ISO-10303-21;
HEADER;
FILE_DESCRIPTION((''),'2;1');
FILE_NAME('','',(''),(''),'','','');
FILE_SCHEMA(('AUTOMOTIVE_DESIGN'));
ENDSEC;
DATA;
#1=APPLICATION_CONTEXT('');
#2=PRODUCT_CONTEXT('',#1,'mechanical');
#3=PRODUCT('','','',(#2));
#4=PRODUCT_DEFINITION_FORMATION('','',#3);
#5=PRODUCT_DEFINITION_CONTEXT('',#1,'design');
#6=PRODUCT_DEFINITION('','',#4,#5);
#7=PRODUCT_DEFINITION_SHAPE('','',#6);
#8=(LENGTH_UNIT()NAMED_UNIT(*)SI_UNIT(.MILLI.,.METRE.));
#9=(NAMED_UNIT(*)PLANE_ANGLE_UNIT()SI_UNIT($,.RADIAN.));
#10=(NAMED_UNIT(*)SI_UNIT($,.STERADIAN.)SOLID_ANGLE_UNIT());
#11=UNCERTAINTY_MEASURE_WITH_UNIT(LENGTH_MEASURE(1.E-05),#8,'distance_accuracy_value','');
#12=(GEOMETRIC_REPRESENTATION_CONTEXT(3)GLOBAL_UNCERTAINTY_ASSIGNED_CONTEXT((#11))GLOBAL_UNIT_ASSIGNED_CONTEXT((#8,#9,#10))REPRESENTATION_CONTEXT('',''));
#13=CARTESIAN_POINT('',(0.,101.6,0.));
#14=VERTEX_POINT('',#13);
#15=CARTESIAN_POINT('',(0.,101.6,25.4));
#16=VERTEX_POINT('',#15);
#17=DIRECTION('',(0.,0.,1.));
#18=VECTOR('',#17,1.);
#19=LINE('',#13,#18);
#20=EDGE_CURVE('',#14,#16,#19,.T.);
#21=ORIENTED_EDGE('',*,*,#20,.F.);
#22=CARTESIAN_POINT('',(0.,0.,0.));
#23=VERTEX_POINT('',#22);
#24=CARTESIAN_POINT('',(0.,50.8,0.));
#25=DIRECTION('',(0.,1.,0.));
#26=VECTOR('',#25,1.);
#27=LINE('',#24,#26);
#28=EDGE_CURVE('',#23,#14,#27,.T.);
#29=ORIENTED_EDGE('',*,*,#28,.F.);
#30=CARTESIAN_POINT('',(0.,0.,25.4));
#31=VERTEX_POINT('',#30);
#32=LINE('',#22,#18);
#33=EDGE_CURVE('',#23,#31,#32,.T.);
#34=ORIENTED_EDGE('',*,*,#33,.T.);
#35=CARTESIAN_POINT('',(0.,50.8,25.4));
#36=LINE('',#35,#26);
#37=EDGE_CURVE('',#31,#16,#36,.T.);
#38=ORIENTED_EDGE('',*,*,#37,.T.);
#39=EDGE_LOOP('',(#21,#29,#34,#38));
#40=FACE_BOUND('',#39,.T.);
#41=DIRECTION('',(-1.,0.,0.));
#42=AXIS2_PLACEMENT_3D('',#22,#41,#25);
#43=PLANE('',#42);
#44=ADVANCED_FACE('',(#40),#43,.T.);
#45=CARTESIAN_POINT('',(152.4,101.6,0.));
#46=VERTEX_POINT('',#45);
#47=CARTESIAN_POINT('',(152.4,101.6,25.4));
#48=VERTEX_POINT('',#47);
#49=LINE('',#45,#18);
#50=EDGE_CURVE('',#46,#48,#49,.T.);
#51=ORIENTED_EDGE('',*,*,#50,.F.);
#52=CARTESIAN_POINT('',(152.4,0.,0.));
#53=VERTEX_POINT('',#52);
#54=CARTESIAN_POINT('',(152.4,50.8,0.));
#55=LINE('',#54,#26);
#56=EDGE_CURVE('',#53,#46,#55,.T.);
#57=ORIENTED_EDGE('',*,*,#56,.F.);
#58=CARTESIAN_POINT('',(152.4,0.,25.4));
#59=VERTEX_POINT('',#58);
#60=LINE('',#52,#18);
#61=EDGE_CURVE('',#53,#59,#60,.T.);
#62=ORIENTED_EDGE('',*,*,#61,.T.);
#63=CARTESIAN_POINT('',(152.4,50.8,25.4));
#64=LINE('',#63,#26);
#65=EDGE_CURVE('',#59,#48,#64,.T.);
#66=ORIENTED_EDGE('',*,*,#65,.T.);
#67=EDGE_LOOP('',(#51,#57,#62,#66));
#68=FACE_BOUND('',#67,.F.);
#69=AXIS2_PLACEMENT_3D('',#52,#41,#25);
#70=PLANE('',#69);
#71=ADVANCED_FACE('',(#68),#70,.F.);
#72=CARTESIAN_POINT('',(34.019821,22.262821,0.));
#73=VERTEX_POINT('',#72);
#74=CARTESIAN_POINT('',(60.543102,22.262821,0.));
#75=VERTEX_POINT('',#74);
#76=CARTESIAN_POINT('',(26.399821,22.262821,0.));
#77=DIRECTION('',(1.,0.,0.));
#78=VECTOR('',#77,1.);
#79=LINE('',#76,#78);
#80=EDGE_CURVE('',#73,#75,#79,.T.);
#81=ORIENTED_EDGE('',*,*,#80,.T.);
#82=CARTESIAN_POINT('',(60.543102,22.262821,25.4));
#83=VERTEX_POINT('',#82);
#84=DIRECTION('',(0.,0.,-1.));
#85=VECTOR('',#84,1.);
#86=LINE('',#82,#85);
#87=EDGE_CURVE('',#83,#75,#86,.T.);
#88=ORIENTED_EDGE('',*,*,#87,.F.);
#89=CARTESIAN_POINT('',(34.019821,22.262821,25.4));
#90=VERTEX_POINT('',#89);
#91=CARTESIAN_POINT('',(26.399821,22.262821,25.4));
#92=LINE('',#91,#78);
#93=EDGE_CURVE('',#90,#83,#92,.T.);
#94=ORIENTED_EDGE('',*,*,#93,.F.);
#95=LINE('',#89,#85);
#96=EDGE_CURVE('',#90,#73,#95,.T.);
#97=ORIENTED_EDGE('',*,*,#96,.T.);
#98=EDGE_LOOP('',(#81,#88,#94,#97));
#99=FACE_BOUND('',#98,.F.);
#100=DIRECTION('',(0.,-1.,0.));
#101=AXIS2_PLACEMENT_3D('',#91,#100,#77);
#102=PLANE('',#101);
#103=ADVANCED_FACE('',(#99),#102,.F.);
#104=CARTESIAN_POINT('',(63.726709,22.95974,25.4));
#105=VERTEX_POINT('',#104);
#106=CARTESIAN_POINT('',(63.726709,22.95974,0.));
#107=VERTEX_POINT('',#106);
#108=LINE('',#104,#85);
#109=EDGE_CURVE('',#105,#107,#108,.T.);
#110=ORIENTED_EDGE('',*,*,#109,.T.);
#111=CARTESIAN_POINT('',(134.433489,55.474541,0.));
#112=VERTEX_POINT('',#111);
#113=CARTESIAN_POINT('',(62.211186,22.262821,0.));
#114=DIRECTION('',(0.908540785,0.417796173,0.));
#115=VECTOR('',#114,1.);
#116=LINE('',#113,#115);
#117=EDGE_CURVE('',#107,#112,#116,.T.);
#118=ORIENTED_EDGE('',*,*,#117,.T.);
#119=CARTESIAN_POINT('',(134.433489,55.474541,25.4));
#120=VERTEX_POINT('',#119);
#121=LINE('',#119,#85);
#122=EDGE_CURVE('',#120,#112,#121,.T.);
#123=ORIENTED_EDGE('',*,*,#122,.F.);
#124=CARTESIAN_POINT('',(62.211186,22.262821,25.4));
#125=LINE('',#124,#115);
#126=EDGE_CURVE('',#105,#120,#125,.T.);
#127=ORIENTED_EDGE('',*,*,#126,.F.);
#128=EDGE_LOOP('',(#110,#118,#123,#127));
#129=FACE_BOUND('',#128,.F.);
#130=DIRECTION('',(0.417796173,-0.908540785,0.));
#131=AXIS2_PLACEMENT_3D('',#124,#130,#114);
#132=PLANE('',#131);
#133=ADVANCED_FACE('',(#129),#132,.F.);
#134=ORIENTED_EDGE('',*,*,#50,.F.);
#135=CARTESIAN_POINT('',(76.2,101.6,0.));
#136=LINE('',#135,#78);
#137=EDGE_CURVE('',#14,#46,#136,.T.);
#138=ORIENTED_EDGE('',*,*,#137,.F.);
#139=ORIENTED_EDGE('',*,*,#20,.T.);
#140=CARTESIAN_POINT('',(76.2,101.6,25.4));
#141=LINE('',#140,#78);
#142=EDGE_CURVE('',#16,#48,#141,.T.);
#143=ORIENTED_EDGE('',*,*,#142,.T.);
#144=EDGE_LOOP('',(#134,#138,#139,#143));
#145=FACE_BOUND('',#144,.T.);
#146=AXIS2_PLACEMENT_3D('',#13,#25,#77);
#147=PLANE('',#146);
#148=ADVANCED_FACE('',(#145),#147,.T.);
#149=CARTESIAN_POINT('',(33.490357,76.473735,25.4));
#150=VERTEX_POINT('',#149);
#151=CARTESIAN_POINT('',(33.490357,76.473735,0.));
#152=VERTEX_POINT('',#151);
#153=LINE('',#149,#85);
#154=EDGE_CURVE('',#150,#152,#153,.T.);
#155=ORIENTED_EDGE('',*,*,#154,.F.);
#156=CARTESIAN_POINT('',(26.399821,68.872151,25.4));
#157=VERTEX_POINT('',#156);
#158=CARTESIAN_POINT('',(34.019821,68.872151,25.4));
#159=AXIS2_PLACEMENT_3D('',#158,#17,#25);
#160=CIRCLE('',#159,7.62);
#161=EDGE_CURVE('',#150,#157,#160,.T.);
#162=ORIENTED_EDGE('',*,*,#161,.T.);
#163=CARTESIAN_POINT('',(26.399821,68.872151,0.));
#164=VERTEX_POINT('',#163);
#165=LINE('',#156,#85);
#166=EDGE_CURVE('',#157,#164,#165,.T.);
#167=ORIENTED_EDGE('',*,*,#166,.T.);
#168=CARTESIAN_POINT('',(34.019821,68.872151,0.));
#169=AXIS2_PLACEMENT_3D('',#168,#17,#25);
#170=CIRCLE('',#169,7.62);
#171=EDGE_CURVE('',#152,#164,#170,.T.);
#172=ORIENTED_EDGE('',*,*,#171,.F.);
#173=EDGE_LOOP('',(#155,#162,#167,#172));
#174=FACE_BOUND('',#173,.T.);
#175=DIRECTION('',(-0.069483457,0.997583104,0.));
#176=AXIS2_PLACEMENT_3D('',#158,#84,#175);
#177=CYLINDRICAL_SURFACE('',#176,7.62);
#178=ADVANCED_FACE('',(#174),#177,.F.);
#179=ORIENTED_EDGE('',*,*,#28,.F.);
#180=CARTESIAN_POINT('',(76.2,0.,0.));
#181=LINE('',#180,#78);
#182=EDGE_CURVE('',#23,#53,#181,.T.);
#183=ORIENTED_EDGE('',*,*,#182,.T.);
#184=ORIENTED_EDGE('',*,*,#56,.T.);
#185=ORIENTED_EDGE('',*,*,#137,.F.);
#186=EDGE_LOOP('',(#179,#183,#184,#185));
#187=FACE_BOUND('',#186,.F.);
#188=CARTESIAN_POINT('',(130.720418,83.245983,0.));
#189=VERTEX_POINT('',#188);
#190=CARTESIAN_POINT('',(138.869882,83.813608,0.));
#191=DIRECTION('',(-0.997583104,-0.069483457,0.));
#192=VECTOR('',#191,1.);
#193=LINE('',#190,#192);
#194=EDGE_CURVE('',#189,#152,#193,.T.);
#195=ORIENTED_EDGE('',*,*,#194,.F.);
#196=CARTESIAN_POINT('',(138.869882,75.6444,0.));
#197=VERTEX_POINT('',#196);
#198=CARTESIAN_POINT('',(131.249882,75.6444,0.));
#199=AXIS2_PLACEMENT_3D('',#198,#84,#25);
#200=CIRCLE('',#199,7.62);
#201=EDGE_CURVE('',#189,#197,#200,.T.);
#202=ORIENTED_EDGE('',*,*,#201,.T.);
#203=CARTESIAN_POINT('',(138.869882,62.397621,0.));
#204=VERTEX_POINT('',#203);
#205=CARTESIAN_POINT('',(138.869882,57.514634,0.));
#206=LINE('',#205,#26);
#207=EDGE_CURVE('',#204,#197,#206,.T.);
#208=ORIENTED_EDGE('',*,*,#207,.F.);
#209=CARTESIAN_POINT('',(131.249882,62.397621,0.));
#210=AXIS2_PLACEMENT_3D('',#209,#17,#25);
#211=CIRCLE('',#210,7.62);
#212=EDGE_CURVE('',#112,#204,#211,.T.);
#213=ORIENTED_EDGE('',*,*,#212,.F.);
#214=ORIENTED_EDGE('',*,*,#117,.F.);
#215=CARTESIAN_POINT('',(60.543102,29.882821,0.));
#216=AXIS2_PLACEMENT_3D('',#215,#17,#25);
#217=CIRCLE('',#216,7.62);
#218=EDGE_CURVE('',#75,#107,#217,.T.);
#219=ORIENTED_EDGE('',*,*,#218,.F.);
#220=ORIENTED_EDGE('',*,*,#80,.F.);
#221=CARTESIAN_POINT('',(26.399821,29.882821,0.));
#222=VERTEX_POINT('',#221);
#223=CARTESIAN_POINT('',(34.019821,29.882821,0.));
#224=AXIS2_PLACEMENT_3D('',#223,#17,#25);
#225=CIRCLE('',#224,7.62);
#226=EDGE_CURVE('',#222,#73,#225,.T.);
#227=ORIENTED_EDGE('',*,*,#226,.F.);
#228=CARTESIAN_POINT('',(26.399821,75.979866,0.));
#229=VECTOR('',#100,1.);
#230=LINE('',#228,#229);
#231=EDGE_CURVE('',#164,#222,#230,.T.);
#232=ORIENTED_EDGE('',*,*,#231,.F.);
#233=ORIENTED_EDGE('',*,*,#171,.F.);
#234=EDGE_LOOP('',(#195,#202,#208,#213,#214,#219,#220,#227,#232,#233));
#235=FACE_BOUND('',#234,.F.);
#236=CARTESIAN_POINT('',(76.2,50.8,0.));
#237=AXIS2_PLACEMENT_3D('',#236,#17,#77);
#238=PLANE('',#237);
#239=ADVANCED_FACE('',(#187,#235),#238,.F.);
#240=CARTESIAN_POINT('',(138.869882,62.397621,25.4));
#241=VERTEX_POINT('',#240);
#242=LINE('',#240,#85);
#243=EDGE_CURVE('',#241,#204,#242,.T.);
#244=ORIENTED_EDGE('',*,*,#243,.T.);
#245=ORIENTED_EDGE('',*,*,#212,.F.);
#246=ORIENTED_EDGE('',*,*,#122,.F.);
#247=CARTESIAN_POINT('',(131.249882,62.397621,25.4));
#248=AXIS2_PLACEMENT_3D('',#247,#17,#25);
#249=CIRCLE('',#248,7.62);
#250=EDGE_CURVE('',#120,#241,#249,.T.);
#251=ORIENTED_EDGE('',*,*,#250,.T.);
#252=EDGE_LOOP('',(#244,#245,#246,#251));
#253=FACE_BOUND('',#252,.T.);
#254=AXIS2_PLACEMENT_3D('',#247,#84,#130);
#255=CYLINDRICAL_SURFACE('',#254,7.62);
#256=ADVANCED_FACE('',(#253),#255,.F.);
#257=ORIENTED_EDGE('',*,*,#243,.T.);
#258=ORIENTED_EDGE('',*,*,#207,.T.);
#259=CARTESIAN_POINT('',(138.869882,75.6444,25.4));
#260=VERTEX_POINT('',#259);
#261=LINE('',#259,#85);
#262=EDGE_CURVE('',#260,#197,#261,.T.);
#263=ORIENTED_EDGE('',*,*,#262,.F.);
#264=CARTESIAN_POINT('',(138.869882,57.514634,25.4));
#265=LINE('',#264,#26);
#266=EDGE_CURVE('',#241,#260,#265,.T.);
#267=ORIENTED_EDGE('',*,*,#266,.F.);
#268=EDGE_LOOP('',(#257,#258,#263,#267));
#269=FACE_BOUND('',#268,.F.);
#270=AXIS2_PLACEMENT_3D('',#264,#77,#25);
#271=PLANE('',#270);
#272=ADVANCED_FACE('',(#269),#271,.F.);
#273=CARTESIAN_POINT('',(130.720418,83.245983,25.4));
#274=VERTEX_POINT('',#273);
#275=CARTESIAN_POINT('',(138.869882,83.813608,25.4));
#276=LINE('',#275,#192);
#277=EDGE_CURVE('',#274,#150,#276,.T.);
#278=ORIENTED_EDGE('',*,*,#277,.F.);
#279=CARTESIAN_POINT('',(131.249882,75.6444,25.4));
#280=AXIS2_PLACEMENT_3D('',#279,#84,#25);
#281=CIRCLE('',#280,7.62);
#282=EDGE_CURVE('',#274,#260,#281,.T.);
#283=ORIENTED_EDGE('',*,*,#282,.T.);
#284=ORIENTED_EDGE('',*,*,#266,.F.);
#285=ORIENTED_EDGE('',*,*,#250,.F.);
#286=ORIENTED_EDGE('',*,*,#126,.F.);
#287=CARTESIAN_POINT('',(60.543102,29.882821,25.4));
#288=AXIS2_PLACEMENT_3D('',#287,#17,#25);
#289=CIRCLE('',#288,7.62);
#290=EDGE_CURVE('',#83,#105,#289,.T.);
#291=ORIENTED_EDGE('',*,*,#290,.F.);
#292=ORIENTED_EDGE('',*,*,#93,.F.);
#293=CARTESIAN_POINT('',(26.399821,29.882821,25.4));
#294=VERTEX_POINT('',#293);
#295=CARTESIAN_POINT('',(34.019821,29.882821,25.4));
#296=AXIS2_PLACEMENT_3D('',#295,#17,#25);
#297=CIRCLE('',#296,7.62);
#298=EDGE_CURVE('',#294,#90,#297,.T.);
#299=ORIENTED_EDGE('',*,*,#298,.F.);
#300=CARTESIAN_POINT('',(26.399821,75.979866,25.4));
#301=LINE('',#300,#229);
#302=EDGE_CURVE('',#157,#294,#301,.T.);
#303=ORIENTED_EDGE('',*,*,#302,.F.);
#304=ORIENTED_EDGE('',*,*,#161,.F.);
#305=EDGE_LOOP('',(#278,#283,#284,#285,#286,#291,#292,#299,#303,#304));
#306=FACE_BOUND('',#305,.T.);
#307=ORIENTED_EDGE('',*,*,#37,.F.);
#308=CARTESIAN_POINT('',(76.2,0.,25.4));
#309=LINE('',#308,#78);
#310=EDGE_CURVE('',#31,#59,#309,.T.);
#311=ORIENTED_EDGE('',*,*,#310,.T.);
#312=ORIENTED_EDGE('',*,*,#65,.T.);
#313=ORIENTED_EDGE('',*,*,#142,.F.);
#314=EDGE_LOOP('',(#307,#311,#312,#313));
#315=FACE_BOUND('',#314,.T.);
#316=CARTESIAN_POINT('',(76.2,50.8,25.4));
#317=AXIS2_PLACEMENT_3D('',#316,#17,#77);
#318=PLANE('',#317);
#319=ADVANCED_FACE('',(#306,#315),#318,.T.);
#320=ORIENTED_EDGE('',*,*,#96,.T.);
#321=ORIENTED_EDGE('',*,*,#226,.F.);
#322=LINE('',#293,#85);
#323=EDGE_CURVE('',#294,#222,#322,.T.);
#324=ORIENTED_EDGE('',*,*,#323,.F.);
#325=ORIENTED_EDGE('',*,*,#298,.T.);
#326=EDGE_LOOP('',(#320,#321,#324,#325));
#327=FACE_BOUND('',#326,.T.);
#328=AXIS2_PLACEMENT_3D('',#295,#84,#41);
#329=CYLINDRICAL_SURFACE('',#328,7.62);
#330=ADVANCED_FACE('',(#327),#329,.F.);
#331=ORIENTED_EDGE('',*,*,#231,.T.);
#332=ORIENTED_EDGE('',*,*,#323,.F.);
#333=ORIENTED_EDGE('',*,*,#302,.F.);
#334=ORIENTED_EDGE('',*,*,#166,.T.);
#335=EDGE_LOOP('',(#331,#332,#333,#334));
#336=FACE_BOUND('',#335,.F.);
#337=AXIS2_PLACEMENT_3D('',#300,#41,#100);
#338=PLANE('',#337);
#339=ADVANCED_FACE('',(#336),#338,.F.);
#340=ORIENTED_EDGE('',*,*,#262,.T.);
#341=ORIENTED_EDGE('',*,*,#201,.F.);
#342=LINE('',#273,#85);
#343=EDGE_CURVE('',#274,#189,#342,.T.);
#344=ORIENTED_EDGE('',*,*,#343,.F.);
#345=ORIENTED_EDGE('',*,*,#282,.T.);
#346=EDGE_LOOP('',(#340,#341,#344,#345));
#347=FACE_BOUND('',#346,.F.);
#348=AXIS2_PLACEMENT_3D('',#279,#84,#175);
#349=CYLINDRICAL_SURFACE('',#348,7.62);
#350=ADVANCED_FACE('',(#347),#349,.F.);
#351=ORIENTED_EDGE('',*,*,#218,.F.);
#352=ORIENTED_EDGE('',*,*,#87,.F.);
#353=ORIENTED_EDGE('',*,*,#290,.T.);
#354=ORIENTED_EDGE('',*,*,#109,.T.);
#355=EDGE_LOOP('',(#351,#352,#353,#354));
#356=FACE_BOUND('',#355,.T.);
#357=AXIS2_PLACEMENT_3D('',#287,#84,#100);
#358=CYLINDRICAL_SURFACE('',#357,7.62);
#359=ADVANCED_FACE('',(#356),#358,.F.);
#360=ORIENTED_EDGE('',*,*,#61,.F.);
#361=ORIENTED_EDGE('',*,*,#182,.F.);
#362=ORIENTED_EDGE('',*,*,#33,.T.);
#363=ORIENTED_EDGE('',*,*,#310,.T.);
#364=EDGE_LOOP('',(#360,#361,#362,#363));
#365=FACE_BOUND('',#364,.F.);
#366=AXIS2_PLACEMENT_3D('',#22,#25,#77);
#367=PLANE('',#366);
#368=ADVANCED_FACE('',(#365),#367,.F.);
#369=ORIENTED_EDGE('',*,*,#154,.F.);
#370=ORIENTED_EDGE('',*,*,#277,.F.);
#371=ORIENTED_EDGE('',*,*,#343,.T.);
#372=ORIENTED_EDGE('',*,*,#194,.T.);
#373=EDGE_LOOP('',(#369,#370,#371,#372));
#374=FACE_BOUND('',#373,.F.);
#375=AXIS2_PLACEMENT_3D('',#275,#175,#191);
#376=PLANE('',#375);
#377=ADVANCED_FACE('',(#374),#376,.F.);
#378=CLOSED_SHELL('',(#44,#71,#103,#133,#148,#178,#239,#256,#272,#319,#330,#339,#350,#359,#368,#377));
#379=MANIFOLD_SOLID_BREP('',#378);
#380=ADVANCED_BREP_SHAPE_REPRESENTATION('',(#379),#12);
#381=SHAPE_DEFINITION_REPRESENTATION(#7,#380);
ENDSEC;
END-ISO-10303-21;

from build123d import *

# Parameters (mm, degrees)
F0_W     = 152.4
F0_H     = 101.6
F1_DEPTH = 25.4
F3_DEPTH = 25.4
F4_R     = 7.62


with BuildPart() as f1:
    # F0 (on Top) → F1 (new body)
    with BuildSketch(Plane.XY):
        with Locations((76.2, 50.8)):
            Rectangle(F0_W, F0_H)
    extrude(amount=F1_DEPTH)

    # F2 (on face) → F3 (cut)
    with BuildSketch(Plane.XY.offset(25.4)):
        Polygon((138.869882, 83.813608), (26.399821, 75.979866), (26.399821, 22.262821), (62.211186, 22.262821), (138.869882, 57.514634), align=None)
    extrude(amount=-F3_DEPTH, mode=Mode.SUBTRACT)

    # F4
    f4_edges = [f1.edges().sort_by_distance(p)[0] for p in [
        (26.399821, 75.979866, 12.7),
        (26.399821, 22.262821, 12.7),
        (62.211186, 22.262821, 12.7),
        (138.869882, 57.514634, 12.7),
        (138.869882, 83.813608, 12.7),
    ]]
    fillet(f4_edges, radius=F4_R)


solid = f1.part
